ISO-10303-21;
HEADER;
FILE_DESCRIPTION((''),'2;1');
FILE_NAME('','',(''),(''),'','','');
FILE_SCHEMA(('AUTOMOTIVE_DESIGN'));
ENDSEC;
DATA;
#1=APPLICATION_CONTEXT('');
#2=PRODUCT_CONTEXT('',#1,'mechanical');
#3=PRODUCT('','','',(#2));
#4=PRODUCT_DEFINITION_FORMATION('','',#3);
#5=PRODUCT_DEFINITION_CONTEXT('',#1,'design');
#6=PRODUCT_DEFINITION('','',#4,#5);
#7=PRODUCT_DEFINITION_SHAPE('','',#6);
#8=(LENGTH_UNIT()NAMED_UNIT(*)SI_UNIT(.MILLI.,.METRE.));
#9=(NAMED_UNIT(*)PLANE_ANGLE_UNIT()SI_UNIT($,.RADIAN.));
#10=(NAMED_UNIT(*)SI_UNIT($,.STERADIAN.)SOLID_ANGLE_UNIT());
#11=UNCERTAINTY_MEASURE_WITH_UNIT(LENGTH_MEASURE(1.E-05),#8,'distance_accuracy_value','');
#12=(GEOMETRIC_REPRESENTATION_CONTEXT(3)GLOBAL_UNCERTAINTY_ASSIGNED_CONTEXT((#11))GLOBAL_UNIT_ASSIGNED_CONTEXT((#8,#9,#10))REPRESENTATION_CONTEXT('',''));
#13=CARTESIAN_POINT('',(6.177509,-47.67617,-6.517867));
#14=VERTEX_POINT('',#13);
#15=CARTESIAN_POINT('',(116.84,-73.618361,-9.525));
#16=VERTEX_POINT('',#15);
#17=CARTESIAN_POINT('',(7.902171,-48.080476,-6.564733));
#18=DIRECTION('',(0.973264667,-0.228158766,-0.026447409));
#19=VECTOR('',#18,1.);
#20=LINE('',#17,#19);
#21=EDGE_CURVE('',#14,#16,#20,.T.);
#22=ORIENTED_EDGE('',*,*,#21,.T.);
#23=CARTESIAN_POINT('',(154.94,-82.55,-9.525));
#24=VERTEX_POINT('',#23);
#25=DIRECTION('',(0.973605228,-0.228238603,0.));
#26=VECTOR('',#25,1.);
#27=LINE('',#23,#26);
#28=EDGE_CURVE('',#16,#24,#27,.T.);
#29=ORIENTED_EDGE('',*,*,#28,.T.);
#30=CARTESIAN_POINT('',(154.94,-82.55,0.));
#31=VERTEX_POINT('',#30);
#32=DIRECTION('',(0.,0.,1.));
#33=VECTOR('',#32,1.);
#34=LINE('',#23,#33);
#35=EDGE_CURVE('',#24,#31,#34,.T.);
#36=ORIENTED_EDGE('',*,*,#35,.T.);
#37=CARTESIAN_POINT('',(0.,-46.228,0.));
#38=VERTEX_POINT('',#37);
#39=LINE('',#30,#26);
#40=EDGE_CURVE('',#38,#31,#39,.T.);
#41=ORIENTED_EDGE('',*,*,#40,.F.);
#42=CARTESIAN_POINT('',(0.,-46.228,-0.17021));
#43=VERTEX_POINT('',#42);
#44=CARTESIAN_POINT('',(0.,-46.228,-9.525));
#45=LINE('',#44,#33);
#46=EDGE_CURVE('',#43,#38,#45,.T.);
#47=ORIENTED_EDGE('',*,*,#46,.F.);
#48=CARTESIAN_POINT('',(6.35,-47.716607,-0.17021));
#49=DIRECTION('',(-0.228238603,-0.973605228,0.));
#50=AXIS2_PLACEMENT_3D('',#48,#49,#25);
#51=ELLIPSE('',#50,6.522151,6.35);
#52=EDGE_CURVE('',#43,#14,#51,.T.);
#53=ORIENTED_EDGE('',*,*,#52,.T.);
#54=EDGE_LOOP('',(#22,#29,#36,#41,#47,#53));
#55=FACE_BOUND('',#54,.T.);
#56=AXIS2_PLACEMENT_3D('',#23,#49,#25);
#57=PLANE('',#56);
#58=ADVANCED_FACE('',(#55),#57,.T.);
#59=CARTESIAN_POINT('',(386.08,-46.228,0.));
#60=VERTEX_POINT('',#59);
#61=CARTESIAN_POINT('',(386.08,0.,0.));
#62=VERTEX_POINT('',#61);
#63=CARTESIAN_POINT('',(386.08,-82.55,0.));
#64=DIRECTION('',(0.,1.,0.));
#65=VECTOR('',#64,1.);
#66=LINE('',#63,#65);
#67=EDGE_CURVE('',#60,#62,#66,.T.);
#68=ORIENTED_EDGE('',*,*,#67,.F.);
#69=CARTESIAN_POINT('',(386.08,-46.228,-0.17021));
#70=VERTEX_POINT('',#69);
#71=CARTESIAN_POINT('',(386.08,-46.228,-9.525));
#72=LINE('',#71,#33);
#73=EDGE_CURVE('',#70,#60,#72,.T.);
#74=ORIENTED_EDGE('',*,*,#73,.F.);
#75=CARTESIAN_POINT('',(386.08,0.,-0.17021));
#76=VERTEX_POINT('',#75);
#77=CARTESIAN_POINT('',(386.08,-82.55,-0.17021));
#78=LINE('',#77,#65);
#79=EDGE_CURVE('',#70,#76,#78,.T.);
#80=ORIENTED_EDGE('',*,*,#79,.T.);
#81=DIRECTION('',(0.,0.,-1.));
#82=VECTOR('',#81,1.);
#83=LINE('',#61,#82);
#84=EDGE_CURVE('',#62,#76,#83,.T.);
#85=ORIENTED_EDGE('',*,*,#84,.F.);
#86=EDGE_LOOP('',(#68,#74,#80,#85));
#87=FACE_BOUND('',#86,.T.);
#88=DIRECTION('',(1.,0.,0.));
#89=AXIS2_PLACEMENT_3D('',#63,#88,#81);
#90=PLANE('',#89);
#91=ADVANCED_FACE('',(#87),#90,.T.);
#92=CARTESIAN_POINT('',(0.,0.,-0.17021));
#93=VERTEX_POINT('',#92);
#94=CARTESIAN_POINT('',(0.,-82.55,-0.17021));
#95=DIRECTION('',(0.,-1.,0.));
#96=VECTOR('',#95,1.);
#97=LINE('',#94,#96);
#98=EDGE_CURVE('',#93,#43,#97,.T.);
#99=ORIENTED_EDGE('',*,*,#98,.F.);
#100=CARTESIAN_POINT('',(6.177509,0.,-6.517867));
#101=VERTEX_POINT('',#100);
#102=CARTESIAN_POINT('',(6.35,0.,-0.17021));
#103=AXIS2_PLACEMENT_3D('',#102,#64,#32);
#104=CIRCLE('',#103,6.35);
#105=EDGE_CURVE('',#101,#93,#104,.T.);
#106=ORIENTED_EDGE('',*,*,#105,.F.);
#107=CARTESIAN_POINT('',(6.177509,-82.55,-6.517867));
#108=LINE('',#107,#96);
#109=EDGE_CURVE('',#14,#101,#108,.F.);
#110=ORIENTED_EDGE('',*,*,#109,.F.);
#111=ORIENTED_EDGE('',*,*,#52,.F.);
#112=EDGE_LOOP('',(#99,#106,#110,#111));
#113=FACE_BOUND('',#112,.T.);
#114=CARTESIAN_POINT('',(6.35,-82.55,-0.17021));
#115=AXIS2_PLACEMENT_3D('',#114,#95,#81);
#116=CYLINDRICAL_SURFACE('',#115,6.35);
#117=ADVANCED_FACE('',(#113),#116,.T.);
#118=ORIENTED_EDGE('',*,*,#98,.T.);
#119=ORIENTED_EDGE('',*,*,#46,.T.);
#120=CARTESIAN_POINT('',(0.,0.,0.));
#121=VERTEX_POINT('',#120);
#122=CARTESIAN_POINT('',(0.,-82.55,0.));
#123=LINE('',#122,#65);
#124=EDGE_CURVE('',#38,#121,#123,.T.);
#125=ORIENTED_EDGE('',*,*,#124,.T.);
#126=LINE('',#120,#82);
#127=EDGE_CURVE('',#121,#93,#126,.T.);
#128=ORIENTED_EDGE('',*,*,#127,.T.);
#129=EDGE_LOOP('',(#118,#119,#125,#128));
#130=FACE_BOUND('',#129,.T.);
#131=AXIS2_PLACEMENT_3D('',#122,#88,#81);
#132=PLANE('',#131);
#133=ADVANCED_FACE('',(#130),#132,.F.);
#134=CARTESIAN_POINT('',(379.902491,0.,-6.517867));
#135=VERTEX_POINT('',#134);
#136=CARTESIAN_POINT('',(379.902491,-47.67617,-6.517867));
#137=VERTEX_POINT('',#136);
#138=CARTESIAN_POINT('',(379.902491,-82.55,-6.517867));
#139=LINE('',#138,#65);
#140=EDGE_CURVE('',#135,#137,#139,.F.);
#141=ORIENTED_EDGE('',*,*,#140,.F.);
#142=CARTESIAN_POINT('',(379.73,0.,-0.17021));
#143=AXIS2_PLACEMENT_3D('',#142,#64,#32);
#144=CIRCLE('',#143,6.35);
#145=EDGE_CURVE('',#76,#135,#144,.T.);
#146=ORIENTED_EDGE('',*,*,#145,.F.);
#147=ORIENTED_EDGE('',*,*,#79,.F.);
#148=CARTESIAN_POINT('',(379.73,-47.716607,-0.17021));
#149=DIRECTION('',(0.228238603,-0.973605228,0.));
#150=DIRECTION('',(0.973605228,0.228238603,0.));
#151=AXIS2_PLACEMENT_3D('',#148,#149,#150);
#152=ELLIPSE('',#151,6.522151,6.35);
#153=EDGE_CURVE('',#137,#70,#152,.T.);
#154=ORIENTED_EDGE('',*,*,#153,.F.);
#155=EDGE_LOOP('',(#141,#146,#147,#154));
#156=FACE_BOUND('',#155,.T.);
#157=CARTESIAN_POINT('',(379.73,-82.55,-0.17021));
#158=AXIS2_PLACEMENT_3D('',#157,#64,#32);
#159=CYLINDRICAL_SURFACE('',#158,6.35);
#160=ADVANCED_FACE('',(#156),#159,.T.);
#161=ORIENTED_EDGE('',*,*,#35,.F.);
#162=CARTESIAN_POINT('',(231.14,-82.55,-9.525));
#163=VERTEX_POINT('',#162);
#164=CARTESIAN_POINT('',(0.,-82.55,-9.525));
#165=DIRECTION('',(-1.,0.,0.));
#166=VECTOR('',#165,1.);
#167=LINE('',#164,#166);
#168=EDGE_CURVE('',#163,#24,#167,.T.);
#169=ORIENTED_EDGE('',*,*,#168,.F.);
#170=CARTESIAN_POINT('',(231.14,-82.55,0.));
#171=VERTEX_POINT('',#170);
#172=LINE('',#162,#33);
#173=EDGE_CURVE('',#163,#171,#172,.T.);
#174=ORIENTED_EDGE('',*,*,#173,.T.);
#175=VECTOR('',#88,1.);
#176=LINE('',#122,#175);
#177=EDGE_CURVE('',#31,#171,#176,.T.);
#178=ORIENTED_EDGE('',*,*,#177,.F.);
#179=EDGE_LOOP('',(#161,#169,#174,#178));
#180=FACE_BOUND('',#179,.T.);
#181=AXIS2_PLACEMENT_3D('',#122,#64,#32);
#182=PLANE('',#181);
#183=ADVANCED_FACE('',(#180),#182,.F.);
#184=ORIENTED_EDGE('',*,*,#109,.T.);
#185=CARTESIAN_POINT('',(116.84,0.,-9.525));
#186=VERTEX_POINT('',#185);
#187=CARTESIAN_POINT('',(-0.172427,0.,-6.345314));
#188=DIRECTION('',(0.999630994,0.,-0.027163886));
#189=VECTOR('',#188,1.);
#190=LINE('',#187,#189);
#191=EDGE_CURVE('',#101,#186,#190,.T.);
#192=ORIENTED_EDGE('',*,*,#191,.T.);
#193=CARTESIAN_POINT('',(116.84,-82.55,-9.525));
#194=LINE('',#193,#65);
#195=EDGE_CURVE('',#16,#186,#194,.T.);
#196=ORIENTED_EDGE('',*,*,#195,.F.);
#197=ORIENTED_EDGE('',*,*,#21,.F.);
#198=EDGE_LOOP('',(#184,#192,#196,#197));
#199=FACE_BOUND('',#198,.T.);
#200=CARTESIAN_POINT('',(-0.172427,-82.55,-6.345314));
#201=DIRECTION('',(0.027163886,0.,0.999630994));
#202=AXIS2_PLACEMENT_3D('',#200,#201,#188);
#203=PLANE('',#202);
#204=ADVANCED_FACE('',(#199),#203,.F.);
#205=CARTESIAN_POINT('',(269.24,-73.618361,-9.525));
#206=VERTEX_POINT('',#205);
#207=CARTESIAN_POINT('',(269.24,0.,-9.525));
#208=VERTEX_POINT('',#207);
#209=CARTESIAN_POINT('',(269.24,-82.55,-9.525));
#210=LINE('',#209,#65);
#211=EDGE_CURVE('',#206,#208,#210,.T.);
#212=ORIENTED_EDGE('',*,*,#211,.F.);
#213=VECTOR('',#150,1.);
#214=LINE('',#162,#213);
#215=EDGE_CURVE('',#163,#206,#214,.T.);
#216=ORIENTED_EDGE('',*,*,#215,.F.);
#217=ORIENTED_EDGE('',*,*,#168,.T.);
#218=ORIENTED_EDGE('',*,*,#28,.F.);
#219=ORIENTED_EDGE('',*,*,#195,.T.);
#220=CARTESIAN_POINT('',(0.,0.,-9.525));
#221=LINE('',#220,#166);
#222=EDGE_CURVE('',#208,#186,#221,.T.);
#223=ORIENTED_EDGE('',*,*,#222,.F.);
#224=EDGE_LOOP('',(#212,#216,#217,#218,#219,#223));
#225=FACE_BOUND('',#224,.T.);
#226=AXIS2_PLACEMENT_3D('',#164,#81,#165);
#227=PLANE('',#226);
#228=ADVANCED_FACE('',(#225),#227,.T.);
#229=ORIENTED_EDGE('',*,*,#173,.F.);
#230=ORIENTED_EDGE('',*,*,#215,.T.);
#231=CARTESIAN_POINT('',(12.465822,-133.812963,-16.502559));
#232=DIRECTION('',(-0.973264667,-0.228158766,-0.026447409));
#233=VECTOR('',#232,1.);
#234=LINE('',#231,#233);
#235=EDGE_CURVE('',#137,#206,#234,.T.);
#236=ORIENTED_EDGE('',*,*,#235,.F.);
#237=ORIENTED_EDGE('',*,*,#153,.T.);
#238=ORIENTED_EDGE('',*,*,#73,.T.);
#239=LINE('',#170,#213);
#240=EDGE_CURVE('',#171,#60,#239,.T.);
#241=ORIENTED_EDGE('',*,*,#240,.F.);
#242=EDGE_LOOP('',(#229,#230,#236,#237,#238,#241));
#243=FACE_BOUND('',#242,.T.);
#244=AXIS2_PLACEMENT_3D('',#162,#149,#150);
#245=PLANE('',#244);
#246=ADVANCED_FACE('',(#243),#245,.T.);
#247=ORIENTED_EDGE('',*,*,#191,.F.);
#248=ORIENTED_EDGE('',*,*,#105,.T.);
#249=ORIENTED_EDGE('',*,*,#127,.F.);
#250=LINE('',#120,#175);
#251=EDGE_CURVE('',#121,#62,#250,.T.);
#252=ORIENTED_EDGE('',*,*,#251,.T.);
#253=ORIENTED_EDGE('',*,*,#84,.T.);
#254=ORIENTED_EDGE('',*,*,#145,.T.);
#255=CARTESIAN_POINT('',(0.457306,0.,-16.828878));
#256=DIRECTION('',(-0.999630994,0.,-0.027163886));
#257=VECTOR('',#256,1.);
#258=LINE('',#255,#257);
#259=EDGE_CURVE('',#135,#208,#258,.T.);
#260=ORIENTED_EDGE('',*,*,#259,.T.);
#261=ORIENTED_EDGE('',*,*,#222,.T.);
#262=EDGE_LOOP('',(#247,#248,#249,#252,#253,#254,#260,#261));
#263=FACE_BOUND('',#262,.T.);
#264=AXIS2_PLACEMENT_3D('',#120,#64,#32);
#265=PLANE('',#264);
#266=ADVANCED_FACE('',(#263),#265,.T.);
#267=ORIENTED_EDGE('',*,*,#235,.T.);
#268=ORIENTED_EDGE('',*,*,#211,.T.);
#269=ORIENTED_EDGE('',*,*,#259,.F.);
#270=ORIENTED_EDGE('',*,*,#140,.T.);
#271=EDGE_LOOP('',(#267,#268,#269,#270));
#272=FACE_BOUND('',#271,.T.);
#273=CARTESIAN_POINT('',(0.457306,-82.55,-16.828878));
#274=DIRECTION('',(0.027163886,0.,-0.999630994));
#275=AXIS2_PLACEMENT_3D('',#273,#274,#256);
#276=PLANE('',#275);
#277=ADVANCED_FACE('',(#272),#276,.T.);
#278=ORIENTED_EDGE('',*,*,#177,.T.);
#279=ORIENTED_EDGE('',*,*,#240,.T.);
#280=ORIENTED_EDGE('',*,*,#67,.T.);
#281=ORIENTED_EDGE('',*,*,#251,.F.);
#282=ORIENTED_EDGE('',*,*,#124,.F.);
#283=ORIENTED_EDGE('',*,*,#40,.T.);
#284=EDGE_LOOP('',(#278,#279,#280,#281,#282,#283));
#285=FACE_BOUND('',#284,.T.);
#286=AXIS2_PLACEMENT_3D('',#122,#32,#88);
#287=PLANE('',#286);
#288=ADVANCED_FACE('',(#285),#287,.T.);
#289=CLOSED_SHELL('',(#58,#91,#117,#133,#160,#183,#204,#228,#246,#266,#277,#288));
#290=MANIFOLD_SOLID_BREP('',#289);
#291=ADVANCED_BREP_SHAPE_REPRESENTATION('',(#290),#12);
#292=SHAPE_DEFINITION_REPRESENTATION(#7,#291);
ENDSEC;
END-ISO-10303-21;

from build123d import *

# Parameters (mm, degrees)
BOSS_EXTRUDE1_DEPTH = 82.55
SKETCH1_OUTSIDE_W   = 467.064
SKETCH1_OUTSIDE_H   = 163.534
CUT_EXTRUDE1_DEPTH  = 395.921504257
FILLET2_R           = 6.35
FILLET3_R           = 6.35


with BuildPart() as part:
    # Sketch2 → Boss-Extrude1 (new body)
    with BuildSketch(Plane(origin=(0, 0, 0), x_dir=(1, 0, 0), z_dir=(0, 1, 0))):
        Polygon((193.04, 9.525), (193.04, 0), (386.08, 0), (386.08, 6.35), (269.24, 9.525), align=None)
        Polygon((0, 6.35), (0, 0), (193.04, 0), (193.04, 9.525), (116.84, 9.525), align=None)
    extrude(amount=-BOSS_EXTRUDE1_DEPTH)

    # Sketch1 outside → Cut-Extrude1 (cut, through all)
    with BuildSketch(Plane.XY):
        with Locations((193.04, -41.275)):
            Rectangle(SKETCH1_OUTSIDE_W, SKETCH1_OUTSIDE_H)
        Polygon((0, 0), (386.08, 0), (386.08, -46.228), (231.14, -82.55), (154.94, -82.55), (0, -46.228), align=None, mode=Mode.SUBTRACT)
    extrude(amount=-CUT_EXTRUDE1_DEPTH, mode=Mode.SUBTRACT)

    # Fillet2
    fillet2_edges = [part.edges().sort_by_distance(p)[0] for p in [
        (386.08, -23.114, -6.35),
    ]]
    fillet(fillet2_edges, radius=FILLET2_R)

    # Fillet3
    fillet3_edges = [part.edges().sort_by_distance(p)[0] for p in [
        (0, -23.114, -6.35),
    ]]
    fillet(fillet3_edges, radius=FILLET3_R)


solid = part.part
